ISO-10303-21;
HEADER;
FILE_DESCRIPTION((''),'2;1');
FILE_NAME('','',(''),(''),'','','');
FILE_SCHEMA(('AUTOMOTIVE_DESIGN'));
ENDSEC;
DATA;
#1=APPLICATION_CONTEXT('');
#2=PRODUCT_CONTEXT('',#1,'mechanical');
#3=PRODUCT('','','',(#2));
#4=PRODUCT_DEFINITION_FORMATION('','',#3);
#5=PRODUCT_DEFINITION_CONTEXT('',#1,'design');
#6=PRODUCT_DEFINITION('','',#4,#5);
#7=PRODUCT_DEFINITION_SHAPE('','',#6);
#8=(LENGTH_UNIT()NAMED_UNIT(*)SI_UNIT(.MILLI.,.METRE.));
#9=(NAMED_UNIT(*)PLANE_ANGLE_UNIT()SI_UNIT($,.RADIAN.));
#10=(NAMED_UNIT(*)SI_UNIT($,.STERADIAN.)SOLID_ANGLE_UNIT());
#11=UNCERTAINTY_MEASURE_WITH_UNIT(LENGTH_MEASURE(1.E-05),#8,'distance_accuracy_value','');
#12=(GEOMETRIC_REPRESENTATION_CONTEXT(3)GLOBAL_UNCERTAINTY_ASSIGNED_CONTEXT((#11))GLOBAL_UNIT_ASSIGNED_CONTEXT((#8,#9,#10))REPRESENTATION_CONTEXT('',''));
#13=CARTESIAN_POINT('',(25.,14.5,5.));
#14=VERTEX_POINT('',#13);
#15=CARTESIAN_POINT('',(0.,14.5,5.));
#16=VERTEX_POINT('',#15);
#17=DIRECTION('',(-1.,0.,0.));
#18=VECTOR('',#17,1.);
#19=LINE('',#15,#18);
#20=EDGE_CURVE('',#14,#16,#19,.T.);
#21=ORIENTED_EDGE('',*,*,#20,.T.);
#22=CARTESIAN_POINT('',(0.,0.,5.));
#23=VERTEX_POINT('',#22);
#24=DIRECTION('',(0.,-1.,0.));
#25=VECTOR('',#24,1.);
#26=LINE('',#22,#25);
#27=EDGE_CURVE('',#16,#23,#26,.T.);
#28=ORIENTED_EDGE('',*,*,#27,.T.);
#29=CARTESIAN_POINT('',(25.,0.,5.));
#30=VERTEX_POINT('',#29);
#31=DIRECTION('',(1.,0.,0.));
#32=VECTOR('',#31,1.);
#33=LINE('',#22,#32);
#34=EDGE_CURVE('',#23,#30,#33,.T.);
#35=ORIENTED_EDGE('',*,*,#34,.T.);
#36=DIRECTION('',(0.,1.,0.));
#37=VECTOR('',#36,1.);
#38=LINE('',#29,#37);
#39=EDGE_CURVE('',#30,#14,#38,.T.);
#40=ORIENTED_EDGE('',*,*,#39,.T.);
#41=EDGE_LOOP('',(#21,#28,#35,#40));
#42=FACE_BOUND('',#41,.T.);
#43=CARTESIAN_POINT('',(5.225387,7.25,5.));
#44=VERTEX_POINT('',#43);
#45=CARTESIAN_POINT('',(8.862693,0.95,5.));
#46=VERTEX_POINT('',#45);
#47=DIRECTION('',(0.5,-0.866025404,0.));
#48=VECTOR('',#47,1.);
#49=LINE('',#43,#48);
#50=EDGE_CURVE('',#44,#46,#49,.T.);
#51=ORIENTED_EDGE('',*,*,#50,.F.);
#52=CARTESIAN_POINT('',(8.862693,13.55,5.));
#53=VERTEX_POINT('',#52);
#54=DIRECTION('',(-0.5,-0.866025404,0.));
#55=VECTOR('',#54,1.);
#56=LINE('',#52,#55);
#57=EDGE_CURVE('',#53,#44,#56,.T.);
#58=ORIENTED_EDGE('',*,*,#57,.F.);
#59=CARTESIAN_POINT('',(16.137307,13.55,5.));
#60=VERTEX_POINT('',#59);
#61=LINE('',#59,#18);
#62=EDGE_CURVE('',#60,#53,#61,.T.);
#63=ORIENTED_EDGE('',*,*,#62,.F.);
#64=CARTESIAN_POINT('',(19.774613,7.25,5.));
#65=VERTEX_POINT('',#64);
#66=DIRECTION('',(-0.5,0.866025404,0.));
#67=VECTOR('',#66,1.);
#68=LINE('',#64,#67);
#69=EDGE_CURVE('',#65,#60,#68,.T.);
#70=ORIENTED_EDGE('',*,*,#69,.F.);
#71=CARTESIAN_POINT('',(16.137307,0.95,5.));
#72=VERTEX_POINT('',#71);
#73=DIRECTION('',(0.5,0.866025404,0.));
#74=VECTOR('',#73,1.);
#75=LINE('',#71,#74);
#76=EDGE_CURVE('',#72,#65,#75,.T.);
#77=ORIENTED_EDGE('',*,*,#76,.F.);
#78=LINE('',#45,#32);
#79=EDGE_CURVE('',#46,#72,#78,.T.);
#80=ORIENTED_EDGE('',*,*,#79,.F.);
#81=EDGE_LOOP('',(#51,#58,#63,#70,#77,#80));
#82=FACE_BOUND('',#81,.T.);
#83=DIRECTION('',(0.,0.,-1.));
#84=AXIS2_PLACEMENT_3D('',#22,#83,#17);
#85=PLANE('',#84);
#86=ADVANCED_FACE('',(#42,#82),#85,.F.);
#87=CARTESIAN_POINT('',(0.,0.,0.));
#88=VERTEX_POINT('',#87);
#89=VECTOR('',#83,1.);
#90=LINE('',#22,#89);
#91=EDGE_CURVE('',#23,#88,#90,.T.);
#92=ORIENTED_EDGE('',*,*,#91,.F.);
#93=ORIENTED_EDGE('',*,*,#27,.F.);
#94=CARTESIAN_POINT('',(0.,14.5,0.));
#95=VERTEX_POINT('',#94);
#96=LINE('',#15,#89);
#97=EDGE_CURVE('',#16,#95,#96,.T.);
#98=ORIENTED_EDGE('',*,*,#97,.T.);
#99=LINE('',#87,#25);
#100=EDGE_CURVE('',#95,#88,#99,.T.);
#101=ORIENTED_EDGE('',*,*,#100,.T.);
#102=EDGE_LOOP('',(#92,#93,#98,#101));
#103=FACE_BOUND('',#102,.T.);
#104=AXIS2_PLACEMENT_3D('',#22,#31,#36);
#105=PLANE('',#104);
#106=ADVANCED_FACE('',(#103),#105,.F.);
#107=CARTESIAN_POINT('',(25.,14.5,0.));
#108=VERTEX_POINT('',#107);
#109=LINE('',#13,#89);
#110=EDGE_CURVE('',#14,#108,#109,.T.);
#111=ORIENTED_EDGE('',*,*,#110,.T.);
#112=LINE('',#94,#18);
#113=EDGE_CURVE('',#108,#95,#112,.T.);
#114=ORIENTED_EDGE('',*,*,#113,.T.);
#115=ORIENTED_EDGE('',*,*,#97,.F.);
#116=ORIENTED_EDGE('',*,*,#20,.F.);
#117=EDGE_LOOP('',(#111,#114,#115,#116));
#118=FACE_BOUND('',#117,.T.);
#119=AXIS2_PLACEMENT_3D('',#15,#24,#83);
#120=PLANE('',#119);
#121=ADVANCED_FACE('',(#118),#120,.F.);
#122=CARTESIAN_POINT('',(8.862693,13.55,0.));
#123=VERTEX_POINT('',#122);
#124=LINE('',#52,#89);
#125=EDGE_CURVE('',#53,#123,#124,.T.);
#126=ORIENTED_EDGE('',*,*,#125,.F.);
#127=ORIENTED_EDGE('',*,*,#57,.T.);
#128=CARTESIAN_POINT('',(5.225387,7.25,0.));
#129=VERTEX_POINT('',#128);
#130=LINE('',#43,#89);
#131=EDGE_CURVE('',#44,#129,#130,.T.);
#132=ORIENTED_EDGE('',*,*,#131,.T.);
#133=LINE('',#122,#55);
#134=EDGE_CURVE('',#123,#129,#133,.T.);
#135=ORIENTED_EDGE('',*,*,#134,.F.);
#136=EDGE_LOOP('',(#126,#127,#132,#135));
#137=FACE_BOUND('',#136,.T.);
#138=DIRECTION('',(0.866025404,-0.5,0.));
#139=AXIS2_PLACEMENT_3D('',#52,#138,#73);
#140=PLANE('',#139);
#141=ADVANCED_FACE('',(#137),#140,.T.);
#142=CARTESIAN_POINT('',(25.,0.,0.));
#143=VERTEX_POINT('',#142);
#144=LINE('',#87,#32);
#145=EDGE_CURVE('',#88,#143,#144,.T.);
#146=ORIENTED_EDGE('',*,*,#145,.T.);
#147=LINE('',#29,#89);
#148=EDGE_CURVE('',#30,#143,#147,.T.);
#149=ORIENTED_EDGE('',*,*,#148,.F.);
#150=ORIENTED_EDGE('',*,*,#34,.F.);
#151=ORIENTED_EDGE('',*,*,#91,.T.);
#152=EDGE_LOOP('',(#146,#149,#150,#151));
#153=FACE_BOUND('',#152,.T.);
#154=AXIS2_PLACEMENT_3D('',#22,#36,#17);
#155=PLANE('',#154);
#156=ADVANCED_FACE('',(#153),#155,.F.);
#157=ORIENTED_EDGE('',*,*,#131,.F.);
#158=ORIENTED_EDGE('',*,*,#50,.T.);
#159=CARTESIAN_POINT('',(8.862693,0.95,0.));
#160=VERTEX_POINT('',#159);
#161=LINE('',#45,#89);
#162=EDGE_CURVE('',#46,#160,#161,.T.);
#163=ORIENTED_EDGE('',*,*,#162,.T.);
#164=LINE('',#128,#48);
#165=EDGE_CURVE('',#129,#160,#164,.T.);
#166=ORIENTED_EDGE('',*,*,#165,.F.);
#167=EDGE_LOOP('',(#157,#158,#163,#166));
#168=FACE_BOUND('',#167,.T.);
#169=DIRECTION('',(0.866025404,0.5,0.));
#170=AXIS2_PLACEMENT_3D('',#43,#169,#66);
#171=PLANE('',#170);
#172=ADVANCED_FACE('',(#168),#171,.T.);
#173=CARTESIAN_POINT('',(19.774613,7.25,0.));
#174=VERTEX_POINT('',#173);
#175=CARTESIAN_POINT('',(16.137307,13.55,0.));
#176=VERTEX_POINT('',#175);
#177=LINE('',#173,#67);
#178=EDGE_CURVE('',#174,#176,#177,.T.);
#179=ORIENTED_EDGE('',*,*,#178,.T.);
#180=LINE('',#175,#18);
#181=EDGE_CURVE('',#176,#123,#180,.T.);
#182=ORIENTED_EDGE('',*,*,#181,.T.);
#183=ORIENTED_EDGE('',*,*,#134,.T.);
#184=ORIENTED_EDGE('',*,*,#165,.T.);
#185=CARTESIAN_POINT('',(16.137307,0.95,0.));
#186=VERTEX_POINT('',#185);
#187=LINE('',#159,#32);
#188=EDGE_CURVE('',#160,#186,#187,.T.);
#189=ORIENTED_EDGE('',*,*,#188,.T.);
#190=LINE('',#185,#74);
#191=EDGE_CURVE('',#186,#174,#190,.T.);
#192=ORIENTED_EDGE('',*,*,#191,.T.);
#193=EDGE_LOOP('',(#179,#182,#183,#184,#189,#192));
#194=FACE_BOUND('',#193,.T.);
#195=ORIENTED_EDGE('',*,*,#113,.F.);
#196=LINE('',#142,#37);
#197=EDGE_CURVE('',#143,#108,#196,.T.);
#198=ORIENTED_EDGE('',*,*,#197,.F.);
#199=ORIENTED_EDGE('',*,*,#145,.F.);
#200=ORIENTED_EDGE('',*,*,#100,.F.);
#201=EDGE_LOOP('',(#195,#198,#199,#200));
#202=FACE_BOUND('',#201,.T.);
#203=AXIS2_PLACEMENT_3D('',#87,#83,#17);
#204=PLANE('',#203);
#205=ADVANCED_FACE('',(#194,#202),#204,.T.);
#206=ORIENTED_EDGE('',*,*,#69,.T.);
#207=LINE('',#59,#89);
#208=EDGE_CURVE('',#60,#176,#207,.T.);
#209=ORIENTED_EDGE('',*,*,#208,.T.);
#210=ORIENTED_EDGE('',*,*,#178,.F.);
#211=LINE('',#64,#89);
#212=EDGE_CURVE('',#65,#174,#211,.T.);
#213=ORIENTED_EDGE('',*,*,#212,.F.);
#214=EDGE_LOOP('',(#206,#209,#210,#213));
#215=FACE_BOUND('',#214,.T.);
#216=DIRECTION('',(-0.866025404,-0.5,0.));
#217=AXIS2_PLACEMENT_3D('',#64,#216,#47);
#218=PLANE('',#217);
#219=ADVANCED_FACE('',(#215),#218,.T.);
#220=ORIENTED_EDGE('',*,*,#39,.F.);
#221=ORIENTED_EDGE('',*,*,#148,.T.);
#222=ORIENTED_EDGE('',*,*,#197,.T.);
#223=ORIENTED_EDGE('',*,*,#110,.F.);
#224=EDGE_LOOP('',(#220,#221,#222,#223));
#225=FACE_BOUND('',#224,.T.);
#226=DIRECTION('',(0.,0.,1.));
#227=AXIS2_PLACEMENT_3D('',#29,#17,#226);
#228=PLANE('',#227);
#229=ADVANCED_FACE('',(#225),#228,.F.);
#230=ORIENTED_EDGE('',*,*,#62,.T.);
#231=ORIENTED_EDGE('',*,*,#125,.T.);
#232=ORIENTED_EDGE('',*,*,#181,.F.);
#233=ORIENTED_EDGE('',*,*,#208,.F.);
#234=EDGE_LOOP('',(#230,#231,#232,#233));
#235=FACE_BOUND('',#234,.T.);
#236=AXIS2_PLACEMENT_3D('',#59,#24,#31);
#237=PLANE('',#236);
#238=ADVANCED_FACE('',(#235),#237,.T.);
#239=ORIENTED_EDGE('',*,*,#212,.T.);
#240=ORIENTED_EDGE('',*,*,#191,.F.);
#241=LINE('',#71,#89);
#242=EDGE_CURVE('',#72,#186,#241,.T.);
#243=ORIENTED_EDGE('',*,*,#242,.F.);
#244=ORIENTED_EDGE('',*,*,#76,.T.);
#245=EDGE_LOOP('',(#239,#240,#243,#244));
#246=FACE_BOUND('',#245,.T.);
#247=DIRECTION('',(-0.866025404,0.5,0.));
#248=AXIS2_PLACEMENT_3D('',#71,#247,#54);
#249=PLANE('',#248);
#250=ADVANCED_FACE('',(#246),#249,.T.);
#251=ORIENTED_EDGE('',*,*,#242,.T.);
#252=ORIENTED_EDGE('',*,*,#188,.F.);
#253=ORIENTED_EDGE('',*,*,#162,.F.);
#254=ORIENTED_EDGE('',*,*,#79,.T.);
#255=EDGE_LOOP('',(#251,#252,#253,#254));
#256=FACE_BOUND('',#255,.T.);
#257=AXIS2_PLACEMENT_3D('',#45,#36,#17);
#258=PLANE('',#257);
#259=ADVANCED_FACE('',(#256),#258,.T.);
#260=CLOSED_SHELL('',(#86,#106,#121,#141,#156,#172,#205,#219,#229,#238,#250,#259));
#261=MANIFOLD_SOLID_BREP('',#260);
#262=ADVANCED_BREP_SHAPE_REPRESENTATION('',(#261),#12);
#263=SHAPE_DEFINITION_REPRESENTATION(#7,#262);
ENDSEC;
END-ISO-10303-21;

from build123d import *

# Parameters (mm, degrees)
ESQUISSE1_W        = 25
ESQUISSE1_H        = 14.5
BOSS_EXTRU_1_DEPTH = 5


with BuildPart() as part:
    # Esquisse1 → Boss.-Extru.1 (new body)
    with BuildSketch(Plane.XY):
        with Locations((12.5, 7.25)):
            Rectangle(ESQUISSE1_W, ESQUISSE1_H)
        Polygon((19.774613392, 7.25), (16.137306696, 13.55), (8.862693304, 13.55), (5.225386608, 7.25), (8.862693304, 0.95), (16.137306696, 0.95), align=None, mode=Mode.SUBTRACT)
    extrude(amount=BOSS_EXTRU_1_DEPTH)


solid = part.part
